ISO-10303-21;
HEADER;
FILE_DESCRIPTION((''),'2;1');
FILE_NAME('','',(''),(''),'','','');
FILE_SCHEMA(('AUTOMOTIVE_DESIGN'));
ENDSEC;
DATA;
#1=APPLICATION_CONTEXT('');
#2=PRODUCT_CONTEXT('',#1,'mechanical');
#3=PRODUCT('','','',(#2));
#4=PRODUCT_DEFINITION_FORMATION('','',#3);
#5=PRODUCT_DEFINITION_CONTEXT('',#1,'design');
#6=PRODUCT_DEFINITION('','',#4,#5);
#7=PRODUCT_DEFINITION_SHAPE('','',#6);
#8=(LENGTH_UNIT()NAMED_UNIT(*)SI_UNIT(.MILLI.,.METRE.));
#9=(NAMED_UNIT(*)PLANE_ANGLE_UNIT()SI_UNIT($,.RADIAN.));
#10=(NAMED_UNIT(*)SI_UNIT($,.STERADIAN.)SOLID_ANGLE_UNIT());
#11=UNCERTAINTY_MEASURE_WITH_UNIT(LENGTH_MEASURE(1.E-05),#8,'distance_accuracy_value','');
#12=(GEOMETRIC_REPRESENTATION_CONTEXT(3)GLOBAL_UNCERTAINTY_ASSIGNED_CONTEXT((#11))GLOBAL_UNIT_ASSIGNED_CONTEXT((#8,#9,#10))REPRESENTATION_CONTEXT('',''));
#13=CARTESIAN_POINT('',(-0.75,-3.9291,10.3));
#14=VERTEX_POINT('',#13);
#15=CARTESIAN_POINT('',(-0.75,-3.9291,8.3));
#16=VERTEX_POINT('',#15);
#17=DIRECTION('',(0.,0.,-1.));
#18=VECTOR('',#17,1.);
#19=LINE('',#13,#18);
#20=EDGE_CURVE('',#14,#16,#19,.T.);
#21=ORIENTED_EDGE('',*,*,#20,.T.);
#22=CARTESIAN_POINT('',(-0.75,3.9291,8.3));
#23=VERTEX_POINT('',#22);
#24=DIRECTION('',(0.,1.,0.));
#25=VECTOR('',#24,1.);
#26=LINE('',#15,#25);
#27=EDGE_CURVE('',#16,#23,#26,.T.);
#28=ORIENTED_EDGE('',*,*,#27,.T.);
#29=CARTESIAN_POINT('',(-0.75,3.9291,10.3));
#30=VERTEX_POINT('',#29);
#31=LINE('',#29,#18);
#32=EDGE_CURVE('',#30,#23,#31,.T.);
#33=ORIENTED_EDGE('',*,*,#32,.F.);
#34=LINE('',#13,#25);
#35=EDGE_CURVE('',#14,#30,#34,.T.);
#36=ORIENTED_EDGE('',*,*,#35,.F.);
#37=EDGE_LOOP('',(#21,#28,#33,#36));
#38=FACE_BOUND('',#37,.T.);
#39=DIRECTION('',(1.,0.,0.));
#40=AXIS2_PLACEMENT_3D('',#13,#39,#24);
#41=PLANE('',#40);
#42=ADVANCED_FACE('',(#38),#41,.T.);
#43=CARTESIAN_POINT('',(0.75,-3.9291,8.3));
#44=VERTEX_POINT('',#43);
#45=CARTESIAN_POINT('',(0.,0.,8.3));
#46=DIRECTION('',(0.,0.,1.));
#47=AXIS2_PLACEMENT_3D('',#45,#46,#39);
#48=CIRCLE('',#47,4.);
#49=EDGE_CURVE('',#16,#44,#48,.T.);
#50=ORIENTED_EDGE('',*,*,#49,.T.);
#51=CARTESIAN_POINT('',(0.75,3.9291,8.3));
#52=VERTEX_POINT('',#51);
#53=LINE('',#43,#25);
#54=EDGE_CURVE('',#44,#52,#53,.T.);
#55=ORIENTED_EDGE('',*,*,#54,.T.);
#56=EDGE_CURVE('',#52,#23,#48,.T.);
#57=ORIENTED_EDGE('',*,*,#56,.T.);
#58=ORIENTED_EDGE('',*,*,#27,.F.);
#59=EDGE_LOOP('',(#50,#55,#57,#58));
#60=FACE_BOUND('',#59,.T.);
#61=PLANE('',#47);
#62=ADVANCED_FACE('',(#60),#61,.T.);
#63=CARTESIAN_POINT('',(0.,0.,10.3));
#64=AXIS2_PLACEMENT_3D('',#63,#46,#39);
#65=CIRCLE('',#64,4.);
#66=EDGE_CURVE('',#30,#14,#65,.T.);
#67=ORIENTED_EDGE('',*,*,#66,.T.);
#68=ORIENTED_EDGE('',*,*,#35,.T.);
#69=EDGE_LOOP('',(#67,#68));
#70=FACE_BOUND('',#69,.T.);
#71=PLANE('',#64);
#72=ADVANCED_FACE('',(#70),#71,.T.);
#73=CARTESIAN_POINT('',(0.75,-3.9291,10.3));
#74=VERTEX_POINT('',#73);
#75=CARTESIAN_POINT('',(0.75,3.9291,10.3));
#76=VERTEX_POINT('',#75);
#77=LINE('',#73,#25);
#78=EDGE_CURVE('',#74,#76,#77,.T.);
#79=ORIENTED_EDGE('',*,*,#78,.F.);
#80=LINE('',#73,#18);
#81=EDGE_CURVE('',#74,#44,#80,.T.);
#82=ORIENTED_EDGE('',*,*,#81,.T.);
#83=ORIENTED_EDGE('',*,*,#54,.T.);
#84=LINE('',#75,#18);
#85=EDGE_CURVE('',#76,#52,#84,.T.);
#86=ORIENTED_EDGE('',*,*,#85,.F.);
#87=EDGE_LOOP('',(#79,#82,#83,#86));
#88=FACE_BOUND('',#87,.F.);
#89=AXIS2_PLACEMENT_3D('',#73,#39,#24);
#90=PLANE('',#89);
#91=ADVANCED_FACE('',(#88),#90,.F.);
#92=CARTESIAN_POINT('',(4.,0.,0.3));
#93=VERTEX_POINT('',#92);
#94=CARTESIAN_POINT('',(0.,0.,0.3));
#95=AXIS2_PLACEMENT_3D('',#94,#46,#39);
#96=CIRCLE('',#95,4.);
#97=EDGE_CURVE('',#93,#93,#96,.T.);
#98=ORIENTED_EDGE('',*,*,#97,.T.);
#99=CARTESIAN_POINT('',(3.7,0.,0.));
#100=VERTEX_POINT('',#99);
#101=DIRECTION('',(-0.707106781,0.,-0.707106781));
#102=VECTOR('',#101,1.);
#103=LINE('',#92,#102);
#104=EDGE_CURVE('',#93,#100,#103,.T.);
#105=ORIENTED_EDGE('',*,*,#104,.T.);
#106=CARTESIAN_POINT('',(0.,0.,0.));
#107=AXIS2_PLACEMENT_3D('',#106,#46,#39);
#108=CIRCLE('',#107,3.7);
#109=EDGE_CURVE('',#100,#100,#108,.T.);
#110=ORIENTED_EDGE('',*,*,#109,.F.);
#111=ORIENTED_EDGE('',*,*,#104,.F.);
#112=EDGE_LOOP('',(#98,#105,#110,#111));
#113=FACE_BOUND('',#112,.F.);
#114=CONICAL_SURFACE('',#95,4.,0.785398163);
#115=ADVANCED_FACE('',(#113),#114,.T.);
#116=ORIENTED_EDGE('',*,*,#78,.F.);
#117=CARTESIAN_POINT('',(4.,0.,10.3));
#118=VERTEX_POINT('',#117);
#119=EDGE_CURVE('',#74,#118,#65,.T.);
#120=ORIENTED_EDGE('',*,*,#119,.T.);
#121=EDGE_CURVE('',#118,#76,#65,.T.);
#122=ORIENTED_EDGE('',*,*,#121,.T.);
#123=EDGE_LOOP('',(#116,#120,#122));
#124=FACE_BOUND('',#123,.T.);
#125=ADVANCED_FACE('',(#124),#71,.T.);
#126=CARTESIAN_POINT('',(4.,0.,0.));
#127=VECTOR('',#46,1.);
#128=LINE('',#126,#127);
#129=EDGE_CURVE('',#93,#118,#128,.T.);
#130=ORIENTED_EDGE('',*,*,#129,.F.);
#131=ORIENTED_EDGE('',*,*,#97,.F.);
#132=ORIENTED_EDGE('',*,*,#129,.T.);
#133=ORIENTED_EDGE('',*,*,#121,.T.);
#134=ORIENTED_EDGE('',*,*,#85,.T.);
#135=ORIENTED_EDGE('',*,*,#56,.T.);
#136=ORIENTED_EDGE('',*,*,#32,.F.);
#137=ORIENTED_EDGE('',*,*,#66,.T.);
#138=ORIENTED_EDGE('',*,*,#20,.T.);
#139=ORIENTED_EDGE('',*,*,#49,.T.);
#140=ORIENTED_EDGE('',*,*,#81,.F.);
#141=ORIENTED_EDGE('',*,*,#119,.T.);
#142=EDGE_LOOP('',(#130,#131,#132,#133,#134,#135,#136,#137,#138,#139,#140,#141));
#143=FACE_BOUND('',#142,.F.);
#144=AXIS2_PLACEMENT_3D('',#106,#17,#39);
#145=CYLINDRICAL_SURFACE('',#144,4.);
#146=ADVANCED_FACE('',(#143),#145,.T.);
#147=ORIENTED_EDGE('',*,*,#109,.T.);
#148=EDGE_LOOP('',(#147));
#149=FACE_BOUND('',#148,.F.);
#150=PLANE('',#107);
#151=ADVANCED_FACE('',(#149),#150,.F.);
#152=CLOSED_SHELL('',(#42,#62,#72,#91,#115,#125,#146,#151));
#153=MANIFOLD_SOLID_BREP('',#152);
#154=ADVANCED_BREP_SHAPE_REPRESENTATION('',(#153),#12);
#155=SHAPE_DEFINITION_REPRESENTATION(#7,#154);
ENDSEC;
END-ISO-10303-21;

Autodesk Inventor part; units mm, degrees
ref_plane "YZ Plane" through (0, 0, 0) normal (1, 0, 0) x (0, 1, 0)
ref_plane "XZ Plane" through (0, 0, 0) normal (0, 1, 0) x (-1, 0, 0)
ref_plane "XY Plane" through (0, 0, 0) normal (0, 0, 1) x (1, 0, 0)
sketch "Sketch1" plane through (0, 0, 0) normal (0, 0, 1) x (1, 0, 0)
  circle A0 centre (0, 0) radius 4
  dimension "d0" = 8
extrude "Extrusion1" add sketch "Sketch1" along normal blind 10.3
chamfer "Chamfer1" distance 0.3 angle 45 1 edges at (-4, 0, 0)
thread "Thread1" size "M8x1" class "6g" standard "ANSI Metric M Profile" full length
sketch "Sketch2" plane through (0, 0, 10.3) normal (0, 0, 1) x (1, 0, 0)
  circle A0 centre (0, 0) radius 4 projected
  line L0 (-0.75, -3.9291) -> (-0.75, 3.9291)
  line L1 (0.75, -3.9291) -> (0.75, 3.9291)
  dimension "d7" = 1.5
  dimension "d8" = 0.75
extrude "Extrusion2" cut sketch "Sketch2" against normal blind 2 contours L1 A0 L0
equation "\"d8\" = 0.5 * d7"
properties part number "Terminal Screw" material "Steel, Mild"
